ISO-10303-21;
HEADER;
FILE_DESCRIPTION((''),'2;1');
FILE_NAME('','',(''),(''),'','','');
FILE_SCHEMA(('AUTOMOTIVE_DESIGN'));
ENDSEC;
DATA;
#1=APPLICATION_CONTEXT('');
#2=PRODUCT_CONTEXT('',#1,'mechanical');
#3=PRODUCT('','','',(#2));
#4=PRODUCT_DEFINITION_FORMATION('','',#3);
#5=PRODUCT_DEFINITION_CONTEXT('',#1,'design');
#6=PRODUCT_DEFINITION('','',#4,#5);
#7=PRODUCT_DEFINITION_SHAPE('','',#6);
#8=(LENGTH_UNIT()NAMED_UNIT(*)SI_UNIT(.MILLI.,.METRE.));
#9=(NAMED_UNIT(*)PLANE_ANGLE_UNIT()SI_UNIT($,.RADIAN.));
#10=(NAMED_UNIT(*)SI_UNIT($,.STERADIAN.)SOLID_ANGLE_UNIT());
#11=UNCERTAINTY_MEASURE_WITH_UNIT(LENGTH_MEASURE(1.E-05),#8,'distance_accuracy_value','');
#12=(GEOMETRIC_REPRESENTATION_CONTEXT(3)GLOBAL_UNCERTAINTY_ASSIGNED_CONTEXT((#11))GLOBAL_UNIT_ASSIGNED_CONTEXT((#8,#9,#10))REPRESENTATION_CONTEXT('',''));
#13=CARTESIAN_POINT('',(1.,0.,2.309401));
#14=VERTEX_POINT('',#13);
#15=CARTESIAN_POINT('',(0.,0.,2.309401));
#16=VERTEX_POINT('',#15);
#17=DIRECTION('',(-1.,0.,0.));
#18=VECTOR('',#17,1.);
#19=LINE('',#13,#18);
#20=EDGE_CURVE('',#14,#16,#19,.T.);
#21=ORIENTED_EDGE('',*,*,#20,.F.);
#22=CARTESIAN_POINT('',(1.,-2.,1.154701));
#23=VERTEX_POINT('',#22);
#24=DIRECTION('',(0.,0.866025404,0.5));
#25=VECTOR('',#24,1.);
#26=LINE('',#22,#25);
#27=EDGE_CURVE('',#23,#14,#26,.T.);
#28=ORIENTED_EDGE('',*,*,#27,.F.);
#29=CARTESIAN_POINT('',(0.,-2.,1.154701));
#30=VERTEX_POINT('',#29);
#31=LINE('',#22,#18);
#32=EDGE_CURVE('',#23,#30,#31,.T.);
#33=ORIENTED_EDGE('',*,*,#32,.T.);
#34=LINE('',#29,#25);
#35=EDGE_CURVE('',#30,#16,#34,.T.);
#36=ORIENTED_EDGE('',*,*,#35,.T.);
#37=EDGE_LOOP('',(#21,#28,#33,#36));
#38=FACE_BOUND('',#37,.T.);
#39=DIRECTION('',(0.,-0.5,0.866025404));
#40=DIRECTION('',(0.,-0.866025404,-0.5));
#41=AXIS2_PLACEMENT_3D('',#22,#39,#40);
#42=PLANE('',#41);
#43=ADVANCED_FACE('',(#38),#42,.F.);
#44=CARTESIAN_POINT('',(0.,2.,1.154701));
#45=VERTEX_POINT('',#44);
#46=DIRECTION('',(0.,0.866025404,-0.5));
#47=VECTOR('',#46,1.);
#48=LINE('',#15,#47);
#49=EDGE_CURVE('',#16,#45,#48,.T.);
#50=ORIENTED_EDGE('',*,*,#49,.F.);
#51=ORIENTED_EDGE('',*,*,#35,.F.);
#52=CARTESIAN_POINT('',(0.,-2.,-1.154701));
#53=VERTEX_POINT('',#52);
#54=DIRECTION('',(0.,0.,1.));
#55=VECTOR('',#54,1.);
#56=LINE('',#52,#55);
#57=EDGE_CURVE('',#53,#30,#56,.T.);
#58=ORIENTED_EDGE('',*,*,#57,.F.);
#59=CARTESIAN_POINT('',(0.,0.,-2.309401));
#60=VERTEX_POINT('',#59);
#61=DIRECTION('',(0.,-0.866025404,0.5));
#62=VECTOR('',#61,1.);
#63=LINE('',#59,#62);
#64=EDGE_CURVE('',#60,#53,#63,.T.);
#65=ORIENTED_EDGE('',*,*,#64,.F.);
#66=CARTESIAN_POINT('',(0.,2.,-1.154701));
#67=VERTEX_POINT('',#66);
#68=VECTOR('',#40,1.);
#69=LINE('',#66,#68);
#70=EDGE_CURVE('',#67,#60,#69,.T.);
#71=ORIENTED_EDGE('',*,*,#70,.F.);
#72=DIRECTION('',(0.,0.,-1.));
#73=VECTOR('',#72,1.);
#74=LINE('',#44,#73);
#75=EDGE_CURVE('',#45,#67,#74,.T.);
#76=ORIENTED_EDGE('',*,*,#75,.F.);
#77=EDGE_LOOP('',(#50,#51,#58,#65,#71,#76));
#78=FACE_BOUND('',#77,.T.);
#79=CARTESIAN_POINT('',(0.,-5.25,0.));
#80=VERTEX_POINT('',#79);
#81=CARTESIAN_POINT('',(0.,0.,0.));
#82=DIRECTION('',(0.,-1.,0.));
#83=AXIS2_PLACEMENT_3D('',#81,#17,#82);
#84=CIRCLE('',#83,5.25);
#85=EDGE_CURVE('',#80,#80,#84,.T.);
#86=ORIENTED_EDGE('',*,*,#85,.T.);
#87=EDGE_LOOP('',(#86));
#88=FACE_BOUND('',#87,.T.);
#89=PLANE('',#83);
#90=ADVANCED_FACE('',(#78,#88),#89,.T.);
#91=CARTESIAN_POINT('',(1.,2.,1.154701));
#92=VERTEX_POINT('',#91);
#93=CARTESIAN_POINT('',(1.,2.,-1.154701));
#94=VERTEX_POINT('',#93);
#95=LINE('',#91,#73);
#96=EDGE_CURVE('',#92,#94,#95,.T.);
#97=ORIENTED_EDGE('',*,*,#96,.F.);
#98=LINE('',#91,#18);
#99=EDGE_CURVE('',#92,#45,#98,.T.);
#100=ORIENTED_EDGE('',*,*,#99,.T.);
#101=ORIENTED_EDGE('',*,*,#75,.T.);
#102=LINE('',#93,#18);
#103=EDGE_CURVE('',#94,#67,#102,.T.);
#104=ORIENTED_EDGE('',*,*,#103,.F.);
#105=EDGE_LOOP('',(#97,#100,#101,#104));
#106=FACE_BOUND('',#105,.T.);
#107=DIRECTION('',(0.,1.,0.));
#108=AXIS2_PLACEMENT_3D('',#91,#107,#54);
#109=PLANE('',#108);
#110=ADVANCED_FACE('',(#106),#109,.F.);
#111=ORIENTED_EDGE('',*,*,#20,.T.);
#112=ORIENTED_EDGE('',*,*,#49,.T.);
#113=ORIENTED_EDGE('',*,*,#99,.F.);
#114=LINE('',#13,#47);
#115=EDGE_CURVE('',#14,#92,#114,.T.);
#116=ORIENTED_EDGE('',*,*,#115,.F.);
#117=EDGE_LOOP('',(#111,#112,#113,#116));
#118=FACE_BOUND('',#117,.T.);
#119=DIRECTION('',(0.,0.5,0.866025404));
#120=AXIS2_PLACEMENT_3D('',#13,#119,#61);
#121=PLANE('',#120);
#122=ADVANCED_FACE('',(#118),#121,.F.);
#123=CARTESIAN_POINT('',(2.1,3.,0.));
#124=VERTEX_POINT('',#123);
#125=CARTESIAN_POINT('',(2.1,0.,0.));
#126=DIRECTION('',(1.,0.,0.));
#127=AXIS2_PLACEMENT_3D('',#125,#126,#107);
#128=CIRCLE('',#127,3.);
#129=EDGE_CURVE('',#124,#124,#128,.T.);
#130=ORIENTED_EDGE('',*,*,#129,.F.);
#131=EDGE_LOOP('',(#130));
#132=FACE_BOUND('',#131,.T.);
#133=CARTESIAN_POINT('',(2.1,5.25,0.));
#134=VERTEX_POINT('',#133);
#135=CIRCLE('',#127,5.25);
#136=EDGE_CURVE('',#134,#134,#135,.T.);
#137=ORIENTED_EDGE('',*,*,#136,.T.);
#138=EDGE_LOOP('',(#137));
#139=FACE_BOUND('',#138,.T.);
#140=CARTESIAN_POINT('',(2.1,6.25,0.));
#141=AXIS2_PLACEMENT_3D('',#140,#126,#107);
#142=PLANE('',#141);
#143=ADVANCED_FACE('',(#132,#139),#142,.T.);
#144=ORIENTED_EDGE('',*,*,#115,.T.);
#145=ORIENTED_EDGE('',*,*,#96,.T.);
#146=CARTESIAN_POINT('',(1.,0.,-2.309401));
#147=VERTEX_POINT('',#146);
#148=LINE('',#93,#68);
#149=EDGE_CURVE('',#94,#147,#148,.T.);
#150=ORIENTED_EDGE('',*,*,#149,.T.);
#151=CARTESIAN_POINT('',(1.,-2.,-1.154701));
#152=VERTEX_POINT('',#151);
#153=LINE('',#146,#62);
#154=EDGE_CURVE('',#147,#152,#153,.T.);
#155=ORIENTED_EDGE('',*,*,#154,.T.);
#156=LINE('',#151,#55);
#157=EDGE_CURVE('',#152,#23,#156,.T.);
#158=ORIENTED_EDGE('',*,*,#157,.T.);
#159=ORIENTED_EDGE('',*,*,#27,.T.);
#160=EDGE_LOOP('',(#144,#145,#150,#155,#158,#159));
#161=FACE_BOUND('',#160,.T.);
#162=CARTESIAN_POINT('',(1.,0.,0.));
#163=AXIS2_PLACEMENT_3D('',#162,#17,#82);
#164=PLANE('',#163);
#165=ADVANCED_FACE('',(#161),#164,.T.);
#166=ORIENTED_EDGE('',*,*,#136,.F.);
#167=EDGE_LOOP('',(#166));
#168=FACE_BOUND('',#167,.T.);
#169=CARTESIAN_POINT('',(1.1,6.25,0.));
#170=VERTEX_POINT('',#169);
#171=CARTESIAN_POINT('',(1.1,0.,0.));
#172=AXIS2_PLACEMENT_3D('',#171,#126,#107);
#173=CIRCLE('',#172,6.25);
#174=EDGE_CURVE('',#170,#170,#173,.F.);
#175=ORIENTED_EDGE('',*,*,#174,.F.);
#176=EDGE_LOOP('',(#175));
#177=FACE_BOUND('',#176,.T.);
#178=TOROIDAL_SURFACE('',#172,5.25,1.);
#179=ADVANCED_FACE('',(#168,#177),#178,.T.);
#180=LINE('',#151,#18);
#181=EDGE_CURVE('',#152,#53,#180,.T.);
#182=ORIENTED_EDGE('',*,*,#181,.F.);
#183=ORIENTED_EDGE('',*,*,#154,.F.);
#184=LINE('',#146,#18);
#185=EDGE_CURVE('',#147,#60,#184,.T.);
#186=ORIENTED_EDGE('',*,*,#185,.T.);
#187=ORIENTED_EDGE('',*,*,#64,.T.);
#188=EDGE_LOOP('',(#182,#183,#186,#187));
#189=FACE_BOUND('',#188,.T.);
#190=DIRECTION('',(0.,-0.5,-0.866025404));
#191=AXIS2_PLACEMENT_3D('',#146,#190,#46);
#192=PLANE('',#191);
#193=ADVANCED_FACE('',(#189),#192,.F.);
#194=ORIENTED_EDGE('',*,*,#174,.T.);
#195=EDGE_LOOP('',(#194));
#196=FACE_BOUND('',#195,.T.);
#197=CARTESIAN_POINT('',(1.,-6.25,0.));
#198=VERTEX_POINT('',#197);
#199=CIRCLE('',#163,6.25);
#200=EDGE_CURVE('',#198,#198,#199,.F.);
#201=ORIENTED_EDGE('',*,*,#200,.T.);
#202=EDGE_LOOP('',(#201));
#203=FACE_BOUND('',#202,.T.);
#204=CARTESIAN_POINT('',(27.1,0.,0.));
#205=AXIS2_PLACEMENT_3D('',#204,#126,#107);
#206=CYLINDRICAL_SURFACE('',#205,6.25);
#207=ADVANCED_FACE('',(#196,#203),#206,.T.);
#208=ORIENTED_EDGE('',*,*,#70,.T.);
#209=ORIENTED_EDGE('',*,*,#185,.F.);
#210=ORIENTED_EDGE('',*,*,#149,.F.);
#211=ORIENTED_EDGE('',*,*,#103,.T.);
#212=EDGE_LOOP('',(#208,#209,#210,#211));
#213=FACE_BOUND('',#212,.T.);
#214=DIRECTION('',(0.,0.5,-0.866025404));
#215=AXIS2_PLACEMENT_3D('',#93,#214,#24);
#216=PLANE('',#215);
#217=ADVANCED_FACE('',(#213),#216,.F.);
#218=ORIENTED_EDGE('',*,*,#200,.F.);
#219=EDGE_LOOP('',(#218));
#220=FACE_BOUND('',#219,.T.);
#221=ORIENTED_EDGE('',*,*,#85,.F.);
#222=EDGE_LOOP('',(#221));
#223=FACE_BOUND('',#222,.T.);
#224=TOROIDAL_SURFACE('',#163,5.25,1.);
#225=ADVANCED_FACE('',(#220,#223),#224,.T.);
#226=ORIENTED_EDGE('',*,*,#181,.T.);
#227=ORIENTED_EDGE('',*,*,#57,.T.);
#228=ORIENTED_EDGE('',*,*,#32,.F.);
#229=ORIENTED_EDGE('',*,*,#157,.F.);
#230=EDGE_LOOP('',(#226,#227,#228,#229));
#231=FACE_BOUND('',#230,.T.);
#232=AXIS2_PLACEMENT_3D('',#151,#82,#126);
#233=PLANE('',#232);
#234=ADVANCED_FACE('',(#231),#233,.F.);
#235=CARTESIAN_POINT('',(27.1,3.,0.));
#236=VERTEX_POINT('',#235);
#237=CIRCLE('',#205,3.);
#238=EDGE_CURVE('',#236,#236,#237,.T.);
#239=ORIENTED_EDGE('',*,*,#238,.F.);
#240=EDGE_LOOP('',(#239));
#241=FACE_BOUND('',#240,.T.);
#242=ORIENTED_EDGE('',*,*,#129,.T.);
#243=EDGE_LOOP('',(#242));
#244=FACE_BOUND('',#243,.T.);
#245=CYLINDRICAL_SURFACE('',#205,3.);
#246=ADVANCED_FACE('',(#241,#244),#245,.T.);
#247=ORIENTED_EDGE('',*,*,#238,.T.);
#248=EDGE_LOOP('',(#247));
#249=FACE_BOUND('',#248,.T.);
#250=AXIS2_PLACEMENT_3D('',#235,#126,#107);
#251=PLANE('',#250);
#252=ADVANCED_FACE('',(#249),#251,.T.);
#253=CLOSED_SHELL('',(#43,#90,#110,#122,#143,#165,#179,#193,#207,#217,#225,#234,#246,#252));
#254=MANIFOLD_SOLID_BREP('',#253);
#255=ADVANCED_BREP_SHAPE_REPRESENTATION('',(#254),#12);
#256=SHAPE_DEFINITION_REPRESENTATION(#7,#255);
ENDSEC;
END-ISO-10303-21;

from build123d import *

# Parameters (mm, degrees)
FILLET_1_R          = 1
CUT_EXTRUDE_1_DEPTH = 1


with BuildPart() as part:
    # 草图1 → 旋转1 (revolve)
    with BuildSketch(Plane.XY):
        Polygon((0, 0), (0, 6.25), (2.1, 6.25), (2.1, 3), (27.1, 3), (27.1, 0), align=None)
    revolve(axis=Axis((27.1, 0, 0), (-1, 0, 0)))

    # 圆角1
    fillet_1_edges = [part.edges().sort_by_distance(p)[0] for p in [
        (2.1, -6.25, 0),
        (0, -6.25, 0),
    ]]
    fillet(fillet_1_edges, radius=FILLET_1_R)

    # 草图2 → 切除-拉伸1 (cut)
    with BuildSketch(Plane.ZY):
        Polygon((1.154700538, 2), (-1.154700538, 2), (-2.309401077, 0), (-1.154700538, -2), (1.154700538, -2), (2.309401077, 0), align=None)
    extrude(amount=-CUT_EXTRUDE_1_DEPTH, mode=Mode.SUBTRACT)


solid = part.part
